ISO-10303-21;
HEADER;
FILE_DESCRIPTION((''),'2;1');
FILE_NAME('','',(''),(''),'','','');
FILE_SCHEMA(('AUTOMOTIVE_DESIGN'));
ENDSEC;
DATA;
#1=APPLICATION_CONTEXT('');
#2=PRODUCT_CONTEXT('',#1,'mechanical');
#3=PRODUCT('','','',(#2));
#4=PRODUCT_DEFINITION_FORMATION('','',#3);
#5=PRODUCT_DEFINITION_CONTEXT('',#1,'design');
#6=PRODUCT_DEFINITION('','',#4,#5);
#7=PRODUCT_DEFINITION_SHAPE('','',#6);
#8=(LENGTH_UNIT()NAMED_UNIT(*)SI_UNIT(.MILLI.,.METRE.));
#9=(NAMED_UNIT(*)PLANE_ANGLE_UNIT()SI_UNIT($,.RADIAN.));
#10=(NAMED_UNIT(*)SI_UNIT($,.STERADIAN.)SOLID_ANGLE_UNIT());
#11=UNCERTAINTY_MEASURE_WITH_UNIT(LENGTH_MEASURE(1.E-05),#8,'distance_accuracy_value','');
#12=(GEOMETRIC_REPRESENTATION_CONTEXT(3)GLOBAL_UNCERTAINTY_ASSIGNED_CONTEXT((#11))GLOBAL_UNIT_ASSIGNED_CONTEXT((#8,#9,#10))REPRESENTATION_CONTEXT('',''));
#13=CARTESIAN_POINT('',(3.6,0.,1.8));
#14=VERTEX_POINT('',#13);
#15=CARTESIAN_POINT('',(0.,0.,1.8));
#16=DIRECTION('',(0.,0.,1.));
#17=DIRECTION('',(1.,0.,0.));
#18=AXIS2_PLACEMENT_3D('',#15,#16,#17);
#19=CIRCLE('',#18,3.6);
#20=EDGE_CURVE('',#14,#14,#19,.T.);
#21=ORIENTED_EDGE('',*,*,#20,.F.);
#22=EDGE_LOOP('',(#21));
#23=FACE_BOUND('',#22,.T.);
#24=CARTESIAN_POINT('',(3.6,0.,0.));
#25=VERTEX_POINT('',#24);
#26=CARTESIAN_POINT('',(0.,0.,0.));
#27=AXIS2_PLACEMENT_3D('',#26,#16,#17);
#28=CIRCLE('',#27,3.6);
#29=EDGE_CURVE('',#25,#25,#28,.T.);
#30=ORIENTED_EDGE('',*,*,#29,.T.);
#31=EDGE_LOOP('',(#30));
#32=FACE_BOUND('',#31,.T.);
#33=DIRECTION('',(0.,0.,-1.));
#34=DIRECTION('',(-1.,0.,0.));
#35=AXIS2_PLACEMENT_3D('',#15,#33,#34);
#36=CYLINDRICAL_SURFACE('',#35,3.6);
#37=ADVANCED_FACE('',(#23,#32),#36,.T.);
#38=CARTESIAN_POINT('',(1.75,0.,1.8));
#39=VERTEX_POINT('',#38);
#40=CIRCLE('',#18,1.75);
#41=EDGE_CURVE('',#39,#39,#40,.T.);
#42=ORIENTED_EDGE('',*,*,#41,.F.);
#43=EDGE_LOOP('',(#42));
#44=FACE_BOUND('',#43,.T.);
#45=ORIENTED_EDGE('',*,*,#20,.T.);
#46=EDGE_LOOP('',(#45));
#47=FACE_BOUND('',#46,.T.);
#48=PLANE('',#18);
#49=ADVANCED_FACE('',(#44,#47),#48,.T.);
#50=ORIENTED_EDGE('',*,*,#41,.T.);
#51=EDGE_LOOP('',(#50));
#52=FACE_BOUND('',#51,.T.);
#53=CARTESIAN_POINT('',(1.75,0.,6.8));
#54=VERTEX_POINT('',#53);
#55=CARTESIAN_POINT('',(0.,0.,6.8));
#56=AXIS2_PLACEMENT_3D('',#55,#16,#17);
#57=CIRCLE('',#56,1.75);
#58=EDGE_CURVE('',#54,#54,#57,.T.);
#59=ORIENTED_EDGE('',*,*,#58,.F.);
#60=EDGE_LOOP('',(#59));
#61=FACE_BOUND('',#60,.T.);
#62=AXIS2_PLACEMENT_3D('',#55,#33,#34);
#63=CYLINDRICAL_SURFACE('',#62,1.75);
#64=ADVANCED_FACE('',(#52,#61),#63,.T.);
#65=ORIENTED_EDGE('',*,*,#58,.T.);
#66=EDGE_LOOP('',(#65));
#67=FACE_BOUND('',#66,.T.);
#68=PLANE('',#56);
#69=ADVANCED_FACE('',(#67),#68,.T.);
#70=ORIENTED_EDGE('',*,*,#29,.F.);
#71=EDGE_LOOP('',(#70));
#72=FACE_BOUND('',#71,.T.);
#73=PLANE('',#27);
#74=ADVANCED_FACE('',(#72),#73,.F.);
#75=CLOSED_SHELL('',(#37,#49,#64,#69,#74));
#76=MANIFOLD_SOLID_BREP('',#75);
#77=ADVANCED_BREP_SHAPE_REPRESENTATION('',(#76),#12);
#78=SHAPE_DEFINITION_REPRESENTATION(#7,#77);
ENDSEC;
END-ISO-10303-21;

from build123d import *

# Parameters (mm, degrees)
SKETCH_1_R      = 3.6
EXTRUDE_1_DEPTH = 1.8
SKETCH_2_R      = 1.75
EXTRUDE_2_DEPTH = 5


with BuildPart() as part:
    # 草图1 → 凸台-拉伸1 (new body)
    with BuildSketch(Plane.XY):
        Circle(SKETCH_1_R)
    extrude(amount=EXTRUDE_1_DEPTH)

    # 草图2 → 凸台-拉伸2 (add)
    with BuildSketch(Plane.XY.offset(1.8)):
        Circle(SKETCH_2_R)
    extrude(amount=EXTRUDE_2_DEPTH)


solid = part.part
